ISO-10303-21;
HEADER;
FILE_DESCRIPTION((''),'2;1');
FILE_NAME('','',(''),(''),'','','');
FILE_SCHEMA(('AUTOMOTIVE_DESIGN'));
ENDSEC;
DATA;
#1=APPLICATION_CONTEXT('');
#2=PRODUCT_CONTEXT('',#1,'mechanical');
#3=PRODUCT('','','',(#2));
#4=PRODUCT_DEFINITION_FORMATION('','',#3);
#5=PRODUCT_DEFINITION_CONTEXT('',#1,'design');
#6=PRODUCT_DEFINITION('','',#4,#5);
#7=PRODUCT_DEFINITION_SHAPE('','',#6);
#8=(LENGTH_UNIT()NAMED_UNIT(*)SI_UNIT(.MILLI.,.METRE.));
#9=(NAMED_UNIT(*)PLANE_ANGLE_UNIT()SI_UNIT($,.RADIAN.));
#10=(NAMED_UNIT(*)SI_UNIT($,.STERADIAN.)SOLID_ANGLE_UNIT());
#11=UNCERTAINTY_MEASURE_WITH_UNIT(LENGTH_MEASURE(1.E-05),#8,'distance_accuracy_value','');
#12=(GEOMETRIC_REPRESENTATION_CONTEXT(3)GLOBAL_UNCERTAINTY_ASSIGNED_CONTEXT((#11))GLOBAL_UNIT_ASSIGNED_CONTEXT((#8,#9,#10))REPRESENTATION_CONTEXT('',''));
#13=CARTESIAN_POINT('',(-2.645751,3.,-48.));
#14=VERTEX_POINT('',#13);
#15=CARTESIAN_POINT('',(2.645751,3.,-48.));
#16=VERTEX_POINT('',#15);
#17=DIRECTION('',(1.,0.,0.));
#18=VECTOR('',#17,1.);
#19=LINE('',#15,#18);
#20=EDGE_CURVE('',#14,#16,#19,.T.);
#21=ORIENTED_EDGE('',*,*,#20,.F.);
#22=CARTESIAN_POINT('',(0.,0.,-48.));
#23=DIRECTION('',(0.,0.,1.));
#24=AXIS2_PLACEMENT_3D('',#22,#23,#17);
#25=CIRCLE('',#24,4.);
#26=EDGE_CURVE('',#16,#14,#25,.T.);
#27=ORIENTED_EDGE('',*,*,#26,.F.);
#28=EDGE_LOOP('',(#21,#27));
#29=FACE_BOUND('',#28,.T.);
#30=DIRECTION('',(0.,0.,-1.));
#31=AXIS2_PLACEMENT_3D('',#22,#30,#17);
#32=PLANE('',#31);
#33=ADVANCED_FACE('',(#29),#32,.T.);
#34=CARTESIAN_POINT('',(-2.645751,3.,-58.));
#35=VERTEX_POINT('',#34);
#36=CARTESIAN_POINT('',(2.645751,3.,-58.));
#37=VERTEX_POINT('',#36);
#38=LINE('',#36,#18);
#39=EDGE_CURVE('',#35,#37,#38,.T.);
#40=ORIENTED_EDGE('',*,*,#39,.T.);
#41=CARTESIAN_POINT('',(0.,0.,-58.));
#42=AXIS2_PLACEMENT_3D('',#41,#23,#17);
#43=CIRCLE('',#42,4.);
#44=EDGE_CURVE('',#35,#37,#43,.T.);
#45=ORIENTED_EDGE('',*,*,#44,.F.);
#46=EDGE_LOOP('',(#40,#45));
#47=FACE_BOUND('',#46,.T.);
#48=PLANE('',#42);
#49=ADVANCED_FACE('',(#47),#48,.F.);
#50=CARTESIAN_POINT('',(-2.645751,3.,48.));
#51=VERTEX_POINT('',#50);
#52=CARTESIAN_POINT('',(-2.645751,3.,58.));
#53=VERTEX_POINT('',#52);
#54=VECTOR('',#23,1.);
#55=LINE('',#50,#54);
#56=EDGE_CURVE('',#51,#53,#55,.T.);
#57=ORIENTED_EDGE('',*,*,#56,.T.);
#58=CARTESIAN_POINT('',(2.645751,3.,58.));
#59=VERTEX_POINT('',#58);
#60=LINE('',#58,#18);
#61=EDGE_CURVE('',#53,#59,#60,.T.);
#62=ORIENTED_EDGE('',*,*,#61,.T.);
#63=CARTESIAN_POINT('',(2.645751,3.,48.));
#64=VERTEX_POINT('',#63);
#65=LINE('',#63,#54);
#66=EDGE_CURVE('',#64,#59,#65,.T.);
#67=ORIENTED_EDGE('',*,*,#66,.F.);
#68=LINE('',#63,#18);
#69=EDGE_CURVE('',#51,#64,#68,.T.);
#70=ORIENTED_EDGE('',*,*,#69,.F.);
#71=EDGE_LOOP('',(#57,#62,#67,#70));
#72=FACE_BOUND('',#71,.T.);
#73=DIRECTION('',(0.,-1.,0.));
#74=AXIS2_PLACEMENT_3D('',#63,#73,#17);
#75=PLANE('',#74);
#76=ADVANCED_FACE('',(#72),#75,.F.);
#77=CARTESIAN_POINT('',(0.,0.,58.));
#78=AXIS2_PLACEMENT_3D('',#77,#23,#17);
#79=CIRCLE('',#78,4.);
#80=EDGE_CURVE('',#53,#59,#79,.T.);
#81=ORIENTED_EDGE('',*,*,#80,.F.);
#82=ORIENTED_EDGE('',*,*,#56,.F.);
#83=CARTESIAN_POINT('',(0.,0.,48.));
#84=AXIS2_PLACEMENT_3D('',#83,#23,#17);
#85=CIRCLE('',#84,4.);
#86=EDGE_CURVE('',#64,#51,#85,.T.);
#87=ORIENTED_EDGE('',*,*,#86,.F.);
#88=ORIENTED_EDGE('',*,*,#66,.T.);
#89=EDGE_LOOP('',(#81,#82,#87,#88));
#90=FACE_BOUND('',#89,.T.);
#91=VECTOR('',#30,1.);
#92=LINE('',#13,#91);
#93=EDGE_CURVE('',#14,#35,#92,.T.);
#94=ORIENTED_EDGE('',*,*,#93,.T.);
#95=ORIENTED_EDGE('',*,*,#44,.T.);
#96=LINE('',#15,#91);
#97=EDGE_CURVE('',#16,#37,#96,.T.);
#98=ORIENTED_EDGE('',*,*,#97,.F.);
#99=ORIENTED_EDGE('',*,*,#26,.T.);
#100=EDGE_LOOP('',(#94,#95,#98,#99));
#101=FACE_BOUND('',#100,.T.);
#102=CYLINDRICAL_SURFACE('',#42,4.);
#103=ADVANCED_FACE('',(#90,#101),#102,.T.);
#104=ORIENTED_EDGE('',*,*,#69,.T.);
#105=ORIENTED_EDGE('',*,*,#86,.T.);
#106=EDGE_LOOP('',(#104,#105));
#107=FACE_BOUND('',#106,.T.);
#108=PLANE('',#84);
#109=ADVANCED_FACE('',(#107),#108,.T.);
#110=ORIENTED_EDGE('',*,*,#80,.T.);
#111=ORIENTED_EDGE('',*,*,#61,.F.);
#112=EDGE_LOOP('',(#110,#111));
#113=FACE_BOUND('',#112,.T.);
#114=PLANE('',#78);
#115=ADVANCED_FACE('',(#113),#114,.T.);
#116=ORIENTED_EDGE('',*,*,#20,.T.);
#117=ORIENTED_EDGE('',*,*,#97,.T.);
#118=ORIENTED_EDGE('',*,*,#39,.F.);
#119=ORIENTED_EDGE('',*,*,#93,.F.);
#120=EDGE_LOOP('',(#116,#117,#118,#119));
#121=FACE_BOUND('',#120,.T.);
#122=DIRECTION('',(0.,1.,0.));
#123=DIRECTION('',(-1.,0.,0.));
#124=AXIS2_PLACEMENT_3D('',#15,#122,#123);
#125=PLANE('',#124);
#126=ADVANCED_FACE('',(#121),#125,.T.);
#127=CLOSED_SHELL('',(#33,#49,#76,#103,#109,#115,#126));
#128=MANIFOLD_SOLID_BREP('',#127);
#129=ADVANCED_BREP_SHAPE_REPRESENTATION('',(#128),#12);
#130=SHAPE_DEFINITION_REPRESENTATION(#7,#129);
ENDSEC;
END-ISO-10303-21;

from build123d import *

# Parameters (mm, degrees)
RESSALTO_EXTRUS_O1_DEPTH      = 58
RESSALTO_EXTRUS_O1_DEPTH_BACK = 58
ESBO_O1_R                     = 4
CORTE_EXTRUS_O1_DEPTH         = 10


with BuildPart() as part:
    # Esboço1 → Ressalto-extrusão1 (new, two sides: drawn at the far end of the back side and taken through both)
    with BuildSketch(Plane.XY.offset(-RESSALTO_EXTRUS_O1_DEPTH_BACK)):
        Circle(ESBO_O1_R)
    extrude(amount=RESSALTO_EXTRUS_O1_DEPTH + RESSALTO_EXTRUS_O1_DEPTH_BACK)

    # Esboço2 → Corte-extrusão1 (cut)
    with BuildSketch(Plane.XY.offset(58)):
        with BuildLine():
            Line((2.645751311, 3), (-2.645751311, 3))
            ThreePointArc((-2.645751311, 3), (0, 4), (2.645751311, 3))
        make_face()
    corte_extrus_o1 = extrude(amount=-CORTE_EXTRUS_O1_DEPTH, mode=Mode.SUBTRACT)

    # Espelhar2: Corte-extrusão1 across plane
    add(corte_extrus_o1.mirror(Plane.XY), mode=Mode.SUBTRACT)


solid = part.part
